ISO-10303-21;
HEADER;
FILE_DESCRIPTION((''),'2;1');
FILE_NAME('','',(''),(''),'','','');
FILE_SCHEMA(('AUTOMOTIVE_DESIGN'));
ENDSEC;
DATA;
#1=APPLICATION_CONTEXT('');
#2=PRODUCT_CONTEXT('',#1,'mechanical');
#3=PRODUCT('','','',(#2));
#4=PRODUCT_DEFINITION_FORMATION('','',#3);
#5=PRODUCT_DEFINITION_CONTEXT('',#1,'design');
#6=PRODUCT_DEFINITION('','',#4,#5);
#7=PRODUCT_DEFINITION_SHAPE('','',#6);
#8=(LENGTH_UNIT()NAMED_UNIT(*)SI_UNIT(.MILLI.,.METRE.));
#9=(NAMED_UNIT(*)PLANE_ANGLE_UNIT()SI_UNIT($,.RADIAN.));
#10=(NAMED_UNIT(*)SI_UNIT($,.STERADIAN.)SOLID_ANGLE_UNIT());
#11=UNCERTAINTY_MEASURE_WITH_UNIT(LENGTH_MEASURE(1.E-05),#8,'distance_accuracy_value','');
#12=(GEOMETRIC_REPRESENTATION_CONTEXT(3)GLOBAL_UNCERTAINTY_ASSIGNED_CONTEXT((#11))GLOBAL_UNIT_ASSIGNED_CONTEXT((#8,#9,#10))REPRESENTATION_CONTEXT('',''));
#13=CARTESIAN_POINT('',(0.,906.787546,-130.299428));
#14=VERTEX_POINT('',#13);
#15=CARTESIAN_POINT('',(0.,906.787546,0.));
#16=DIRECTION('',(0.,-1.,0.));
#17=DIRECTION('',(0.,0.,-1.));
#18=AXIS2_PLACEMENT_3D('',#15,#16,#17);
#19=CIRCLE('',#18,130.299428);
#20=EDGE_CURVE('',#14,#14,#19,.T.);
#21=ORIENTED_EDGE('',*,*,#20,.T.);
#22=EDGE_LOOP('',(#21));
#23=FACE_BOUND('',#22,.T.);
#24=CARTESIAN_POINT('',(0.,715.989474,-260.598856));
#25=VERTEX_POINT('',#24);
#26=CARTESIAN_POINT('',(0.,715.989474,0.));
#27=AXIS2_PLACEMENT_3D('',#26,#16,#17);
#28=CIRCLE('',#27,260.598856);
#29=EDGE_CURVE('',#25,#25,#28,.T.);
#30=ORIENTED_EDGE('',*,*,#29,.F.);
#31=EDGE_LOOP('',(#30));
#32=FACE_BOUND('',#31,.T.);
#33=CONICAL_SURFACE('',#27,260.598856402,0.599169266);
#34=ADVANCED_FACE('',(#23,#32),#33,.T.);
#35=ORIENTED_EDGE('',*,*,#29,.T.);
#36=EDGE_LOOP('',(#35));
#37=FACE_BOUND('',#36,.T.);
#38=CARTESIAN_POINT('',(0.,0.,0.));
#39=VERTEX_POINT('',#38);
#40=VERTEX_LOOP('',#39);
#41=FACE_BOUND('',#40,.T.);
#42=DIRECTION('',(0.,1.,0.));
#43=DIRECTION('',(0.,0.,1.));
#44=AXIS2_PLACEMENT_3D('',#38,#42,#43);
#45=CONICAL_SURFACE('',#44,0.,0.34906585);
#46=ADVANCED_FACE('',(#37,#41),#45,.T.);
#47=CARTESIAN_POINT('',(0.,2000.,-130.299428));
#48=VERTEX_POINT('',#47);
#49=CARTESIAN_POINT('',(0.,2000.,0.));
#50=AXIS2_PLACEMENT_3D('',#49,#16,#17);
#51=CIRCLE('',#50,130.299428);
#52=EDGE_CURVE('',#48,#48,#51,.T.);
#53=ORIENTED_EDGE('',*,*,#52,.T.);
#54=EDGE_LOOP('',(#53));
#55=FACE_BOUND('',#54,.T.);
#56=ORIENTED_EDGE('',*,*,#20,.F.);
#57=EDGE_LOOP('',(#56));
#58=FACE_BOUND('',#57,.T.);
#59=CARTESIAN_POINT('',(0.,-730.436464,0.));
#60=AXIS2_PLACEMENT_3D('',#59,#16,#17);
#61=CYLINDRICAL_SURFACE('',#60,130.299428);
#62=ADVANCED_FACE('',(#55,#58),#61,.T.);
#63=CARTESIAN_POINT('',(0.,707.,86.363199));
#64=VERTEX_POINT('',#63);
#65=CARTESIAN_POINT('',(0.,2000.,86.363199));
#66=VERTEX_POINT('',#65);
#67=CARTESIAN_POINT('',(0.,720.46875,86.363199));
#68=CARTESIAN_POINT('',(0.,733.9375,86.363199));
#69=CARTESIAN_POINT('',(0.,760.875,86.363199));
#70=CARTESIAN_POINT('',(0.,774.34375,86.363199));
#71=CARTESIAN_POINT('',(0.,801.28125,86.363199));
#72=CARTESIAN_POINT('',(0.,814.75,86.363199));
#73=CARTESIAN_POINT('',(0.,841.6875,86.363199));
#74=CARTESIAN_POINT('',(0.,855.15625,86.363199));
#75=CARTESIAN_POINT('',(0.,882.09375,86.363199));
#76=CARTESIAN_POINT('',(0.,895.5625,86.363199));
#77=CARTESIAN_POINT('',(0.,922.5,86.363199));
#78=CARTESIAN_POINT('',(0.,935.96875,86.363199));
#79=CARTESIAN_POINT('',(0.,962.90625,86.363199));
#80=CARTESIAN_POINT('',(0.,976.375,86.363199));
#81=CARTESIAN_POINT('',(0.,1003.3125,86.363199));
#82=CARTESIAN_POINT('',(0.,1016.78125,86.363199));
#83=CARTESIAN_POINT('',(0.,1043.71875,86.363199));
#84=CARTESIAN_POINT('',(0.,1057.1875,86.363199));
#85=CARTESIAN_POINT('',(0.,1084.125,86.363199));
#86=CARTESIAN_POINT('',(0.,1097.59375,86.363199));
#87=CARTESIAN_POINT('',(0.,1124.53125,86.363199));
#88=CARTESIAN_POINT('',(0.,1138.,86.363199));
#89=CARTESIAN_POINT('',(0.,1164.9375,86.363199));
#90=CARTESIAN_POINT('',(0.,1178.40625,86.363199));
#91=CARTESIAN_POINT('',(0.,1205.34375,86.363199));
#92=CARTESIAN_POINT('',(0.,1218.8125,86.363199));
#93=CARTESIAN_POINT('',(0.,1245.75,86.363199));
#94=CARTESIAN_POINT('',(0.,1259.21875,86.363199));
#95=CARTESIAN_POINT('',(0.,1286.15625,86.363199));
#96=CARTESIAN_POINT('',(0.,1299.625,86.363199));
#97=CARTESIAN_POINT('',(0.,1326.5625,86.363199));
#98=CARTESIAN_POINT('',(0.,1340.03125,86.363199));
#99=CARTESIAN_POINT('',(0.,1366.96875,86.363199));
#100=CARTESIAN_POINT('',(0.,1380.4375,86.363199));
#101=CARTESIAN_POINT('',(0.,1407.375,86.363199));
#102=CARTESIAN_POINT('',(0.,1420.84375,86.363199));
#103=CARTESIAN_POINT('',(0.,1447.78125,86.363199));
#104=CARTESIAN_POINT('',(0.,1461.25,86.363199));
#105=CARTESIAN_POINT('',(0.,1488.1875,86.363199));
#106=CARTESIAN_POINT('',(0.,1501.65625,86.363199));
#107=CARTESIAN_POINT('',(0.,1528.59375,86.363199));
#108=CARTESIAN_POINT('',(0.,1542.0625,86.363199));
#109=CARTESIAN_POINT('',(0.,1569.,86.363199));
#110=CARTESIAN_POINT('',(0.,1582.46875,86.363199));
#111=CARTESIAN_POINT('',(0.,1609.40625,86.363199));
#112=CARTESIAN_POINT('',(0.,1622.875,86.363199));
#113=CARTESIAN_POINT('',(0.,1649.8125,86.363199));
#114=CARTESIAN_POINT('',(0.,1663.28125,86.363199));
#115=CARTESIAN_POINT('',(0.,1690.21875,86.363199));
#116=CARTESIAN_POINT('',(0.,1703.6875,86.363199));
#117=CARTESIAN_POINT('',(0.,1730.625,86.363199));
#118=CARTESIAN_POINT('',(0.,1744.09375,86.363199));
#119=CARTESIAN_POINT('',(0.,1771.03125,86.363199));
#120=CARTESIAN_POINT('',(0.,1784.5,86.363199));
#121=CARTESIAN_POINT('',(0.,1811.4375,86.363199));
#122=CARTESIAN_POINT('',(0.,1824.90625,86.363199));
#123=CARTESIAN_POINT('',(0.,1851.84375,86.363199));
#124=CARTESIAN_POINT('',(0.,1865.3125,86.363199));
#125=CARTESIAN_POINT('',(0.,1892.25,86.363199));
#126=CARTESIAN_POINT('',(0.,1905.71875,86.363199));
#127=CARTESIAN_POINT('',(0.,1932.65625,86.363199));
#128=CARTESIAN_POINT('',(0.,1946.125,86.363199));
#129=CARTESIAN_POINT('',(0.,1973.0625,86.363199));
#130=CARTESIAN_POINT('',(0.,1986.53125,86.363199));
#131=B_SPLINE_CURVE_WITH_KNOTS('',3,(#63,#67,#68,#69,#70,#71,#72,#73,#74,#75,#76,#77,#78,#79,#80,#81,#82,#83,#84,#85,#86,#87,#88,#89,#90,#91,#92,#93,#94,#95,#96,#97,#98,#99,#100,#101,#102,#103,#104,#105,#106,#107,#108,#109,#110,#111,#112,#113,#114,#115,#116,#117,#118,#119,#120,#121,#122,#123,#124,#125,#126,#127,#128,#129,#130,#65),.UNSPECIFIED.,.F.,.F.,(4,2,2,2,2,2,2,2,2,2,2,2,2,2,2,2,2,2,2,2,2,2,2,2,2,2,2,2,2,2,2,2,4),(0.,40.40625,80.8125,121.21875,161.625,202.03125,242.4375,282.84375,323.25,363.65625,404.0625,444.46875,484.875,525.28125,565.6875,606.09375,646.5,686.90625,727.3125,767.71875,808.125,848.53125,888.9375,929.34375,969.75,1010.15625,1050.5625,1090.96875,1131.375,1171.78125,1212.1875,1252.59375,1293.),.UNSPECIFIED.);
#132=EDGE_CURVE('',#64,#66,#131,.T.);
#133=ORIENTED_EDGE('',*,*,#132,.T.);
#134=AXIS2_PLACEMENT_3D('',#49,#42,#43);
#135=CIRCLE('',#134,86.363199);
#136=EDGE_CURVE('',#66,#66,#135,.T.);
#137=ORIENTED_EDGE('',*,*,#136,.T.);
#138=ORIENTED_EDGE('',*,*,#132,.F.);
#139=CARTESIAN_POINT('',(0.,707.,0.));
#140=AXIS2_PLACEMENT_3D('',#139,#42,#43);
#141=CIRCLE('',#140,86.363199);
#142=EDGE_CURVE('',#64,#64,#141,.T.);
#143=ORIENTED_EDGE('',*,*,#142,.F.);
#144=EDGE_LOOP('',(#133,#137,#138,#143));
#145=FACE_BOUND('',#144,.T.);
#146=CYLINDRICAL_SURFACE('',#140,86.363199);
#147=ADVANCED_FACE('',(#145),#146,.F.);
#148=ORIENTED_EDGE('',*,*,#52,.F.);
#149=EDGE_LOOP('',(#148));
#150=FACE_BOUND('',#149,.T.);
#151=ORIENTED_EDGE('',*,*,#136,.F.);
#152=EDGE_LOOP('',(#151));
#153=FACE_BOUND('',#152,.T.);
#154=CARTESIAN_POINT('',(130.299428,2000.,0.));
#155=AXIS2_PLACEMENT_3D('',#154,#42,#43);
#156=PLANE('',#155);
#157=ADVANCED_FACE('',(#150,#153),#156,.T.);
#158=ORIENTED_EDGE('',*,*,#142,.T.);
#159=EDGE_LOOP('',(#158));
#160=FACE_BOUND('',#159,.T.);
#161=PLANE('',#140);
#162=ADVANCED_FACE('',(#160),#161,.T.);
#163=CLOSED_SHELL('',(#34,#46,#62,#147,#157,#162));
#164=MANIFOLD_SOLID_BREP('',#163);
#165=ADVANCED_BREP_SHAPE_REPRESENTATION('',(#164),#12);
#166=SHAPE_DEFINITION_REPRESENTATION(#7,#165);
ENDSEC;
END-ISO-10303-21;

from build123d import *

# Parameters (mm, degrees)
SKETCH4_R          = 86.363199004
CUT_EXTRUDE1_DEPTH = 1293


with BuildPart() as part:
    # Sketch3 → Revolve4 (revolve)
    with BuildSketch(Plane.XY, mode=Mode.PRIVATE) as revolve4_sk:
        Polygon((0, 0), (260.598856402, 715.989473501), (130.299428201, 906.787546279), (130.299428201, 2000), (0, 2000), align=None)
    revolve(revolve4_sk.sketch.rotate(Axis((0, -730.436463526, 0), (0, 1, 0)), 90), axis=Axis((0, -730.436463526, 0), (0, 1, 0)))

    # Sketch4 → Cut-Extrude1 (cut)
    with BuildSketch(Plane(origin=(0, 2000, 0), x_dir=(1, 0, 0), z_dir=(0, 1, 0))):
        with Locations(Location((0, 0, 0), (0, 0, 270))):
            Circle(SKETCH4_R)
    extrude(amount=-CUT_EXTRUDE1_DEPTH, mode=Mode.SUBTRACT)


solid = part.part
